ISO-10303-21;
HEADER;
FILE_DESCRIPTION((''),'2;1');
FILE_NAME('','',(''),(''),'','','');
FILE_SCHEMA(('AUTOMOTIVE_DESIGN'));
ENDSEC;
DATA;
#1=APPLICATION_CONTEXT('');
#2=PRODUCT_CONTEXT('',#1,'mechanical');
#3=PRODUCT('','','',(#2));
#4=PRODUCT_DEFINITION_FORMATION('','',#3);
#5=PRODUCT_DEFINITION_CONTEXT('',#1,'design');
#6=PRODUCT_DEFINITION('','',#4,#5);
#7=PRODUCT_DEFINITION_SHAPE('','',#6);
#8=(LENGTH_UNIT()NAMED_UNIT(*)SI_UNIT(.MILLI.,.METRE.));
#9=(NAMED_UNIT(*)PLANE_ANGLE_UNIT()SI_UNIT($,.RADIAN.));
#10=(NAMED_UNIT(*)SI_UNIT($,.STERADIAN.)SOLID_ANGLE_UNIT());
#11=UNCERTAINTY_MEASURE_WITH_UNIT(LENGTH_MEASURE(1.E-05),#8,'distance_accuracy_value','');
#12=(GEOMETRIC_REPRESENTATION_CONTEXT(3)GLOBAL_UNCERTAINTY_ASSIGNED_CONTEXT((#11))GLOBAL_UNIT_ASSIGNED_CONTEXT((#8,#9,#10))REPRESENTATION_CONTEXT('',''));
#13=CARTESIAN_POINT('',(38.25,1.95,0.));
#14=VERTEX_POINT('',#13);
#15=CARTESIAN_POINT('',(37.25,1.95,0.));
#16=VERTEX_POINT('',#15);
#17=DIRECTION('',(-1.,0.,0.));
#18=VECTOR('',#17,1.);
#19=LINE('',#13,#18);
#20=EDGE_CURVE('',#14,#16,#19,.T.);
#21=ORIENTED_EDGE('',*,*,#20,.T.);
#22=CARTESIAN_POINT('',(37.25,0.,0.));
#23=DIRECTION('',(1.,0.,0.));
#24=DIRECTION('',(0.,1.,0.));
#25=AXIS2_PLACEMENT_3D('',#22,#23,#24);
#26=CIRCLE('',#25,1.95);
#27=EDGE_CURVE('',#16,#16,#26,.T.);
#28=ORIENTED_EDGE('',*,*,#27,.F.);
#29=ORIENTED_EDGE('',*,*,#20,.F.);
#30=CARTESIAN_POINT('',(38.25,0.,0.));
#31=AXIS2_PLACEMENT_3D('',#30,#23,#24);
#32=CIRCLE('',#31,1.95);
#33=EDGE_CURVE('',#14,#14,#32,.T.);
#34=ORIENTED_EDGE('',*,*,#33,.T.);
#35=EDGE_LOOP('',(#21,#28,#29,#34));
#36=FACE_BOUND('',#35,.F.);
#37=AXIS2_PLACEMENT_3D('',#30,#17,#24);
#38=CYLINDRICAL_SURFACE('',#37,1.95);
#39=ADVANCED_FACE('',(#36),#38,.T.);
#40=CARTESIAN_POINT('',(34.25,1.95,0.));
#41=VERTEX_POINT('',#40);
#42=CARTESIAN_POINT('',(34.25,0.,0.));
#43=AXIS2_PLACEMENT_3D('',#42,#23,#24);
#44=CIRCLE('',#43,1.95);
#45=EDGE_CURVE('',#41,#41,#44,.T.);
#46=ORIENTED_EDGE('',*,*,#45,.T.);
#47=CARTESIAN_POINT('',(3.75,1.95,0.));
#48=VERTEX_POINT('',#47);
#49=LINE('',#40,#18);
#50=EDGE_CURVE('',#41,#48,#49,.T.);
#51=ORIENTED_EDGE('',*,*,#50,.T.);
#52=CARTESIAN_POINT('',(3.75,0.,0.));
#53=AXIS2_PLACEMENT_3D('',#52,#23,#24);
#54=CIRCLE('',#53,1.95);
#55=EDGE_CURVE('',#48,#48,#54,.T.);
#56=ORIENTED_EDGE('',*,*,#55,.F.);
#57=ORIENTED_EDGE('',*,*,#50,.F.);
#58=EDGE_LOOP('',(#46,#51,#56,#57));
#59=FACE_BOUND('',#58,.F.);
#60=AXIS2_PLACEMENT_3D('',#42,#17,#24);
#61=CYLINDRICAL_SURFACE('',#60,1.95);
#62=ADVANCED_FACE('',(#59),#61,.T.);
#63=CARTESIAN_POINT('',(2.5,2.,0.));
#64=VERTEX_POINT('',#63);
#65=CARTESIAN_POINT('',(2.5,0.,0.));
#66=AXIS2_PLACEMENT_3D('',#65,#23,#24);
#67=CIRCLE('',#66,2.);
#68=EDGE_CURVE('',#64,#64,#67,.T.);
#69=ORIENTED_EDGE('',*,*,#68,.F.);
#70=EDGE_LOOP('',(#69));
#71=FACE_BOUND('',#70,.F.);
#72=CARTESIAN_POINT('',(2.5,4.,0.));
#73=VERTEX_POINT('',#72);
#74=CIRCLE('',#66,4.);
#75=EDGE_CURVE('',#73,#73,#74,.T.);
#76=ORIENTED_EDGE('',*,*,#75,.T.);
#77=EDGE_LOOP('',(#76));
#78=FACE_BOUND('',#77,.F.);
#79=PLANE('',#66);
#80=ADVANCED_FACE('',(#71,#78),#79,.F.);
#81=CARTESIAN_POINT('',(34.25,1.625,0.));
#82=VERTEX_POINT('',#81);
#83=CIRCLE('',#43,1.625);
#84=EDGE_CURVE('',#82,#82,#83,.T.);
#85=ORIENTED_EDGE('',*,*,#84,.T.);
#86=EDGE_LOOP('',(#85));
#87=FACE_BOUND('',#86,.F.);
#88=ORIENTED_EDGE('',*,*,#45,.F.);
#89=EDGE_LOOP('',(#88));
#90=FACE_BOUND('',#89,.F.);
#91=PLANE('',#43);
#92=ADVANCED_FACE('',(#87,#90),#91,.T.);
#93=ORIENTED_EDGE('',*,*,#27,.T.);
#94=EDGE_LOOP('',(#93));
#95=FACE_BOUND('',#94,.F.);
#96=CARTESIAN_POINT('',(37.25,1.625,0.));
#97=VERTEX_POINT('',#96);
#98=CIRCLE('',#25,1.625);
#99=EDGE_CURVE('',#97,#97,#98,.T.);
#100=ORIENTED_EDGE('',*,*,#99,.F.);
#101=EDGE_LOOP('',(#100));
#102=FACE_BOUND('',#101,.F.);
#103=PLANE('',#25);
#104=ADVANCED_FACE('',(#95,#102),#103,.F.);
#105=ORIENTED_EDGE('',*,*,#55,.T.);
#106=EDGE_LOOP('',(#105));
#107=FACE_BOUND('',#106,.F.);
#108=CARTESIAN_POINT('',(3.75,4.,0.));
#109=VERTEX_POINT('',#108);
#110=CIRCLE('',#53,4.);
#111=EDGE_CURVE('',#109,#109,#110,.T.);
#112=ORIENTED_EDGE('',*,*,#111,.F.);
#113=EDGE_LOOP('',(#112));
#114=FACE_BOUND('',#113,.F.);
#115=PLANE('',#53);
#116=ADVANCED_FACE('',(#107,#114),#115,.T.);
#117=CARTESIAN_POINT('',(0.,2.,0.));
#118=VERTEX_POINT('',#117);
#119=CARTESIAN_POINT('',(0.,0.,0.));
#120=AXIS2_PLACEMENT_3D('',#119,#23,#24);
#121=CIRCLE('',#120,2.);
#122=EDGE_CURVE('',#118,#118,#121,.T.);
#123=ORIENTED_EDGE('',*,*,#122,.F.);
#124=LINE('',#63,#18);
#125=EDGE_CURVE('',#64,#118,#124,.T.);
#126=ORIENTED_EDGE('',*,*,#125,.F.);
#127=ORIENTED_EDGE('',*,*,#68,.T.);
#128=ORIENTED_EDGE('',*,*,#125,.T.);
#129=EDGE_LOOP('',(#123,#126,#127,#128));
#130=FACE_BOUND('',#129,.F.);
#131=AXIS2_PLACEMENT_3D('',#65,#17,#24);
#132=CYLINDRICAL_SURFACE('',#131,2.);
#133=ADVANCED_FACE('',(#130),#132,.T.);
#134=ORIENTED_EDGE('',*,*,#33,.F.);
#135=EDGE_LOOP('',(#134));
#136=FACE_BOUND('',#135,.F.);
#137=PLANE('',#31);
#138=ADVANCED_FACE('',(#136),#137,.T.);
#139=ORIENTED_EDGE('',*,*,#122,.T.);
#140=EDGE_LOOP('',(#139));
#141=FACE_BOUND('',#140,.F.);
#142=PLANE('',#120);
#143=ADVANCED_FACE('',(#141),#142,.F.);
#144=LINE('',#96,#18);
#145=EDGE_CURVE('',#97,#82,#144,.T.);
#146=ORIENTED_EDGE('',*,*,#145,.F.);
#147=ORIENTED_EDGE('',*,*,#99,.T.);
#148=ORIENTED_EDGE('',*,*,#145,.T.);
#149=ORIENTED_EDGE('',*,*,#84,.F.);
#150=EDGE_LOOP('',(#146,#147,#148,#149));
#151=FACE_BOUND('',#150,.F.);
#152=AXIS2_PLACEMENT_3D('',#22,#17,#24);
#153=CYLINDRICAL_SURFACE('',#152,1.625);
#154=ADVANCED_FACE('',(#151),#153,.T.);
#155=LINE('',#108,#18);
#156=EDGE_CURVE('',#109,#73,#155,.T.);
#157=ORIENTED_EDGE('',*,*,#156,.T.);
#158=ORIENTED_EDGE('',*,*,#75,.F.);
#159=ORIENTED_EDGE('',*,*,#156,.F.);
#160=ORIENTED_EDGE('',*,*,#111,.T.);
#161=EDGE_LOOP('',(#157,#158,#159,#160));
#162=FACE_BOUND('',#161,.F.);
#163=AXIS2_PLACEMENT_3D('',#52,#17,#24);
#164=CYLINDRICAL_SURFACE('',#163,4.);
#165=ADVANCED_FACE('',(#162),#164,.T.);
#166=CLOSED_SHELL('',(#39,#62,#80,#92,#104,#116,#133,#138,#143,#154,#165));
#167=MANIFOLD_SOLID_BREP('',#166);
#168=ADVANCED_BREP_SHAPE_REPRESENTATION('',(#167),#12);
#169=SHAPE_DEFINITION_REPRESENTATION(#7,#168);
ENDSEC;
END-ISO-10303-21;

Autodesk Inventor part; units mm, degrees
ref_plane "YZ Plane" through (0, 0, 0) normal (1, 0, 0) x (0, 1, 0)
ref_plane "XZ Plane" through (0, 0, 0) normal (0, 1, 0) x (-1, 0, 0)
ref_plane "XY Plane" through (0, 0, 0) normal (0, 0, 1) x (1, 0, 0)
sketch "Sketch1" plane through (0, 0, 0) normal (0, 0, 1) x (1, 0, 0)
  line L0 (0, 0) -> (2.5, 0)
  line L1 (2.5, 0) -> (2.5, 2)
  line L2 (2.5, 2) -> (0, 2)
  line L3 (0, 2) -> (0, 0)
  line L4 (2.5, 0) -> (3.75, 0)
  line L5 (3.75, 0) -> (3.75, 4)
  line L6 (3.75, 4) -> (2.5, 4)
  line L7 (2.5, 4) -> (2.5, 0)
  line L8 (3.75, 0) -> (34.25, 0)
  line L9 (34.25, 0) -> (34.25, 1.95)
  line L10 (34.25, 1.95) -> (3.75, 1.95)
  line L11 (3.75, 1.95) -> (3.75, 0)
  line L12 (34.25, 0) -> (37.25, 0)
  line L13 (37.25, 0) -> (37.25, 1.625)
  line L14 (37.25, 1.625) -> (34.25, 1.625)
  line L15 (34.25, 1.625) -> (34.25, 0)
  line L16 (37.25, 0) -> (38.25, 0)
  line L17 (38.25, 0) -> (38.25, 1.95)
  line L18 (38.25, 1.95) -> (37.25, 1.95)
  line L19 (37.25, 1.95) -> (37.25, 0)
  dimension "d0" = 4
  dimension "d1" = 8
  dimension "d2" = 3.9
  dimension "d3" = 3.25
  dimension "d4" = 2.5
  dimension "d5" = 3.75
  dimension "d6" = 34.25
  dimension "d7" = 37.25
  dimension "d8" = 38.25
revolve "Revolution1" add sketch "Sketch1" angle 360 about axis through (3.75, 0, 0) along (1, 0, 0)
properties part number "403-06" material "Steel, Mild"
